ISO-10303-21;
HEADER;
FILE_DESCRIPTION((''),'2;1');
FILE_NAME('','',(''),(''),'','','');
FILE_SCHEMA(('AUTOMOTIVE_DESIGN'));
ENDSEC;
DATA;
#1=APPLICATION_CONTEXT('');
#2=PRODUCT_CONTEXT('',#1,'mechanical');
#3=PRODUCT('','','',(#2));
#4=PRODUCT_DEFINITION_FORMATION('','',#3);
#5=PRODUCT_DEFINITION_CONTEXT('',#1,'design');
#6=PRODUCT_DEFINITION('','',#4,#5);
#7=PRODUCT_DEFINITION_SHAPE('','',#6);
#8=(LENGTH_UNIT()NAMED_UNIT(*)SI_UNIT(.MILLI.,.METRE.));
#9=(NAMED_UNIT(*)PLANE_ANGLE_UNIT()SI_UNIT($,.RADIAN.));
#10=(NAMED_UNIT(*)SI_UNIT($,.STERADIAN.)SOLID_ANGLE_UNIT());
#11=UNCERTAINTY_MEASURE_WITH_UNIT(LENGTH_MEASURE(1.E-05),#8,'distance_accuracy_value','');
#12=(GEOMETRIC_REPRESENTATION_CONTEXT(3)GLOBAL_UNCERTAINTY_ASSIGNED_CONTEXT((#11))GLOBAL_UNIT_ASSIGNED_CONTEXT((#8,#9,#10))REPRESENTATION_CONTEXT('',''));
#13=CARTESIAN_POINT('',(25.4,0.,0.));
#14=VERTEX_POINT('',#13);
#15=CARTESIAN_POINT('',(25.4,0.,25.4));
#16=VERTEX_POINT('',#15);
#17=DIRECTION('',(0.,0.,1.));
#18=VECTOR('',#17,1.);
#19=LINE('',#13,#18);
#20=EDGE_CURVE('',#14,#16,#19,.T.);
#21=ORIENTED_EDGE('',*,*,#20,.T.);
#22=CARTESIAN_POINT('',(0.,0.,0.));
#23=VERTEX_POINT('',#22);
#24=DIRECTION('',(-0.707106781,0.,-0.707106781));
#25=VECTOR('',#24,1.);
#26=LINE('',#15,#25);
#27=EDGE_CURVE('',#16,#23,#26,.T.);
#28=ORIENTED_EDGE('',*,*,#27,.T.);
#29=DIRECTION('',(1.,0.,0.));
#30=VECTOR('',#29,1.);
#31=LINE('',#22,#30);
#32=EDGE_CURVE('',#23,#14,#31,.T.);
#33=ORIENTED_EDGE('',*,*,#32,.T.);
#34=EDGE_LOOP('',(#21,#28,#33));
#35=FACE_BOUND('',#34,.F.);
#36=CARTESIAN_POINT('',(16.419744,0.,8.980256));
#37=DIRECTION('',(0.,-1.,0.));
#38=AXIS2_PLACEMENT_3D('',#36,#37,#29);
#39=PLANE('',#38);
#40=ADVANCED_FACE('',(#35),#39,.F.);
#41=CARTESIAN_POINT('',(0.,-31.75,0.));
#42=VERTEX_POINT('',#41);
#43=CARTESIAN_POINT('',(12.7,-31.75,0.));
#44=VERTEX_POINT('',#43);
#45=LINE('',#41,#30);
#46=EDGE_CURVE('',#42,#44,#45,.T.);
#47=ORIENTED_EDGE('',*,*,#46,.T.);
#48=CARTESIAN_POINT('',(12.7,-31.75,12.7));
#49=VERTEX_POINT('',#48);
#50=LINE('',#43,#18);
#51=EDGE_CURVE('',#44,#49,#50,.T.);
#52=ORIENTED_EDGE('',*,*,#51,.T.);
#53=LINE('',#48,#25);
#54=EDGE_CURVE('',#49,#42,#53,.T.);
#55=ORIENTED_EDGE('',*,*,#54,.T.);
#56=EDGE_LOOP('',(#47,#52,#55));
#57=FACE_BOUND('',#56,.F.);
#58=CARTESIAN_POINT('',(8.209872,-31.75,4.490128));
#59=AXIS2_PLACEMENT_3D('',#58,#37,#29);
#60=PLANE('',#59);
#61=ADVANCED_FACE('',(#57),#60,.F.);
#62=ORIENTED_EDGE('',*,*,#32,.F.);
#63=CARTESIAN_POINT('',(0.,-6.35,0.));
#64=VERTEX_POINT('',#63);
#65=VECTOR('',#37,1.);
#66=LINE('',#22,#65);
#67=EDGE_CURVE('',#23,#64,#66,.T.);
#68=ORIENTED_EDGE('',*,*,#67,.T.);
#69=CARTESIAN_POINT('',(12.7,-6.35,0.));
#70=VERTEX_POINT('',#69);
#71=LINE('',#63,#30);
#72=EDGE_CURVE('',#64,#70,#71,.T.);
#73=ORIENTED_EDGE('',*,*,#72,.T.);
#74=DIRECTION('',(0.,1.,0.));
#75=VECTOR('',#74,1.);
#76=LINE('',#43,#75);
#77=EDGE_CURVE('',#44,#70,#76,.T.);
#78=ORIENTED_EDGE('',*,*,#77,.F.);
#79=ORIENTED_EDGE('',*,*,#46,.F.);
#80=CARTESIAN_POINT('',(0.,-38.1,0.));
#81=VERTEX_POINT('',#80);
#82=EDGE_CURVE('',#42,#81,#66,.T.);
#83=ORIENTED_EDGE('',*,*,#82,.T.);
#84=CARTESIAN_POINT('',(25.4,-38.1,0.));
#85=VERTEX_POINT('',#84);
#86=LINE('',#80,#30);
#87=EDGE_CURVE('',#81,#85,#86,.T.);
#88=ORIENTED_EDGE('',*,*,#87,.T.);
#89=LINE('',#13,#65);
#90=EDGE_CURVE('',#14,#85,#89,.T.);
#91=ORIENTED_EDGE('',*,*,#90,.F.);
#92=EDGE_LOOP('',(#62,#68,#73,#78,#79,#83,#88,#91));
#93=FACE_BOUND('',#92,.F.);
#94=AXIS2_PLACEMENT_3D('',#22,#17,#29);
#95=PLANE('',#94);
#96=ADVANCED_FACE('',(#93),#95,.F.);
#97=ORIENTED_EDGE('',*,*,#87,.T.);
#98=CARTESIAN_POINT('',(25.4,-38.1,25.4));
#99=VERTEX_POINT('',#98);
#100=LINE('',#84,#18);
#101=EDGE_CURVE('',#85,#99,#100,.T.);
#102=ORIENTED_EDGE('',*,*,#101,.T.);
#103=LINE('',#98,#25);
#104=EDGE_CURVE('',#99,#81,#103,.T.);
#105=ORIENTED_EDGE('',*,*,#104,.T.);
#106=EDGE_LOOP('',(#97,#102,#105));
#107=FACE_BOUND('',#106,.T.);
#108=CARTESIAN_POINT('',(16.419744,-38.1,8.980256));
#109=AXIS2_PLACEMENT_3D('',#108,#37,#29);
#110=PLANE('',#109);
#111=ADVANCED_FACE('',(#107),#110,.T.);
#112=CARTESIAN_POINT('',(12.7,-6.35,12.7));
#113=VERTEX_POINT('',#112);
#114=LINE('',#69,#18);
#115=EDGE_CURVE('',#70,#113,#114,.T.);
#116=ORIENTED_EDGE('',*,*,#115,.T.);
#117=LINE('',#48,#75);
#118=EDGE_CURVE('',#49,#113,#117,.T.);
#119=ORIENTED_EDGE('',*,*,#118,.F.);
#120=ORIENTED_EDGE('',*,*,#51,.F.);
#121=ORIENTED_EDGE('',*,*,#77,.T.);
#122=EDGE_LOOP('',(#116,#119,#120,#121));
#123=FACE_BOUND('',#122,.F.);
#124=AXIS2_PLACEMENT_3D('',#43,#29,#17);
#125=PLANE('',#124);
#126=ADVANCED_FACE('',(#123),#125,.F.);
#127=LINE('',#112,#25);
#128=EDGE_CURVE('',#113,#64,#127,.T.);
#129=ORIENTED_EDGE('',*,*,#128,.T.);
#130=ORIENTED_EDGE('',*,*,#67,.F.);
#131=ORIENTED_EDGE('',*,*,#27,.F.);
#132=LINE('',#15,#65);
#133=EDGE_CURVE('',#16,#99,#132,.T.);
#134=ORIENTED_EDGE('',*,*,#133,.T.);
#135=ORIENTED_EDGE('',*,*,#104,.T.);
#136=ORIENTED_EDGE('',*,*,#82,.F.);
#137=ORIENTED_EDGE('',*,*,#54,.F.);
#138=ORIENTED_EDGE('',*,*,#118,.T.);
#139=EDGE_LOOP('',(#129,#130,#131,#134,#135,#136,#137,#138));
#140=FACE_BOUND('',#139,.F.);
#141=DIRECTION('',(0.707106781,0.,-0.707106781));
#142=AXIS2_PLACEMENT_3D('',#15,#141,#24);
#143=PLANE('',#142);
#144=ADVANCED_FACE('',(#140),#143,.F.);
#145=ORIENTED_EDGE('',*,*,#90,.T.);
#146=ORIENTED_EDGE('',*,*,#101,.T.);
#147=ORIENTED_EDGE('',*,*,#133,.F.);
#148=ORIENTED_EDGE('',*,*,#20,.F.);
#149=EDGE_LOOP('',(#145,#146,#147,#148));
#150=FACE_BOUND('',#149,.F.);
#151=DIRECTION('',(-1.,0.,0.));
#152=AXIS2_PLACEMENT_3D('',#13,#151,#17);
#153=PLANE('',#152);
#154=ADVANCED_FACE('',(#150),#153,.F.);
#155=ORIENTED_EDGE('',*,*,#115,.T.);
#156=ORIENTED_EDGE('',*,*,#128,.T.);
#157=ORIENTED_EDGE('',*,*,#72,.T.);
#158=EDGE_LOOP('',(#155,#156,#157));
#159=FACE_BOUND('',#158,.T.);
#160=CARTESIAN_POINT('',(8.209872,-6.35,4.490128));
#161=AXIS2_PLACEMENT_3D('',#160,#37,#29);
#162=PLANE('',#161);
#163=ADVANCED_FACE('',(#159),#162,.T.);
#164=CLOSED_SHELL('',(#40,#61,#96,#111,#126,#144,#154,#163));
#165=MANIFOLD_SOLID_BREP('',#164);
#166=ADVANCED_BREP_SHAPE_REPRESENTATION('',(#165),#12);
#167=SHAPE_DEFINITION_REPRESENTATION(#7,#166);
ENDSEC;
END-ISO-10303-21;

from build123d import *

# Parameters (mm, degrees)
F1_DEPTH = 38.1
F3_START = -6.35
F3_DEPTH = 25.4


with BuildPart() as f1:
    # F0 (on Front) → F1 (new body)
    with BuildSketch(Plane.XZ):
        Polygon((25.4, 25.4), (0, 0), (25.4, 0), align=None)
    extrude(amount=F1_DEPTH)

    # F2 (on face) → F3 (cut)
    with BuildSketch(Plane.XZ.offset(38.1).offset(F3_START)):
        Polygon((12.7, 0), (12.7, 12.7), (0, 0), align=None)
    extrude(amount=-F3_DEPTH, mode=Mode.SUBTRACT)


solid = f1.part
